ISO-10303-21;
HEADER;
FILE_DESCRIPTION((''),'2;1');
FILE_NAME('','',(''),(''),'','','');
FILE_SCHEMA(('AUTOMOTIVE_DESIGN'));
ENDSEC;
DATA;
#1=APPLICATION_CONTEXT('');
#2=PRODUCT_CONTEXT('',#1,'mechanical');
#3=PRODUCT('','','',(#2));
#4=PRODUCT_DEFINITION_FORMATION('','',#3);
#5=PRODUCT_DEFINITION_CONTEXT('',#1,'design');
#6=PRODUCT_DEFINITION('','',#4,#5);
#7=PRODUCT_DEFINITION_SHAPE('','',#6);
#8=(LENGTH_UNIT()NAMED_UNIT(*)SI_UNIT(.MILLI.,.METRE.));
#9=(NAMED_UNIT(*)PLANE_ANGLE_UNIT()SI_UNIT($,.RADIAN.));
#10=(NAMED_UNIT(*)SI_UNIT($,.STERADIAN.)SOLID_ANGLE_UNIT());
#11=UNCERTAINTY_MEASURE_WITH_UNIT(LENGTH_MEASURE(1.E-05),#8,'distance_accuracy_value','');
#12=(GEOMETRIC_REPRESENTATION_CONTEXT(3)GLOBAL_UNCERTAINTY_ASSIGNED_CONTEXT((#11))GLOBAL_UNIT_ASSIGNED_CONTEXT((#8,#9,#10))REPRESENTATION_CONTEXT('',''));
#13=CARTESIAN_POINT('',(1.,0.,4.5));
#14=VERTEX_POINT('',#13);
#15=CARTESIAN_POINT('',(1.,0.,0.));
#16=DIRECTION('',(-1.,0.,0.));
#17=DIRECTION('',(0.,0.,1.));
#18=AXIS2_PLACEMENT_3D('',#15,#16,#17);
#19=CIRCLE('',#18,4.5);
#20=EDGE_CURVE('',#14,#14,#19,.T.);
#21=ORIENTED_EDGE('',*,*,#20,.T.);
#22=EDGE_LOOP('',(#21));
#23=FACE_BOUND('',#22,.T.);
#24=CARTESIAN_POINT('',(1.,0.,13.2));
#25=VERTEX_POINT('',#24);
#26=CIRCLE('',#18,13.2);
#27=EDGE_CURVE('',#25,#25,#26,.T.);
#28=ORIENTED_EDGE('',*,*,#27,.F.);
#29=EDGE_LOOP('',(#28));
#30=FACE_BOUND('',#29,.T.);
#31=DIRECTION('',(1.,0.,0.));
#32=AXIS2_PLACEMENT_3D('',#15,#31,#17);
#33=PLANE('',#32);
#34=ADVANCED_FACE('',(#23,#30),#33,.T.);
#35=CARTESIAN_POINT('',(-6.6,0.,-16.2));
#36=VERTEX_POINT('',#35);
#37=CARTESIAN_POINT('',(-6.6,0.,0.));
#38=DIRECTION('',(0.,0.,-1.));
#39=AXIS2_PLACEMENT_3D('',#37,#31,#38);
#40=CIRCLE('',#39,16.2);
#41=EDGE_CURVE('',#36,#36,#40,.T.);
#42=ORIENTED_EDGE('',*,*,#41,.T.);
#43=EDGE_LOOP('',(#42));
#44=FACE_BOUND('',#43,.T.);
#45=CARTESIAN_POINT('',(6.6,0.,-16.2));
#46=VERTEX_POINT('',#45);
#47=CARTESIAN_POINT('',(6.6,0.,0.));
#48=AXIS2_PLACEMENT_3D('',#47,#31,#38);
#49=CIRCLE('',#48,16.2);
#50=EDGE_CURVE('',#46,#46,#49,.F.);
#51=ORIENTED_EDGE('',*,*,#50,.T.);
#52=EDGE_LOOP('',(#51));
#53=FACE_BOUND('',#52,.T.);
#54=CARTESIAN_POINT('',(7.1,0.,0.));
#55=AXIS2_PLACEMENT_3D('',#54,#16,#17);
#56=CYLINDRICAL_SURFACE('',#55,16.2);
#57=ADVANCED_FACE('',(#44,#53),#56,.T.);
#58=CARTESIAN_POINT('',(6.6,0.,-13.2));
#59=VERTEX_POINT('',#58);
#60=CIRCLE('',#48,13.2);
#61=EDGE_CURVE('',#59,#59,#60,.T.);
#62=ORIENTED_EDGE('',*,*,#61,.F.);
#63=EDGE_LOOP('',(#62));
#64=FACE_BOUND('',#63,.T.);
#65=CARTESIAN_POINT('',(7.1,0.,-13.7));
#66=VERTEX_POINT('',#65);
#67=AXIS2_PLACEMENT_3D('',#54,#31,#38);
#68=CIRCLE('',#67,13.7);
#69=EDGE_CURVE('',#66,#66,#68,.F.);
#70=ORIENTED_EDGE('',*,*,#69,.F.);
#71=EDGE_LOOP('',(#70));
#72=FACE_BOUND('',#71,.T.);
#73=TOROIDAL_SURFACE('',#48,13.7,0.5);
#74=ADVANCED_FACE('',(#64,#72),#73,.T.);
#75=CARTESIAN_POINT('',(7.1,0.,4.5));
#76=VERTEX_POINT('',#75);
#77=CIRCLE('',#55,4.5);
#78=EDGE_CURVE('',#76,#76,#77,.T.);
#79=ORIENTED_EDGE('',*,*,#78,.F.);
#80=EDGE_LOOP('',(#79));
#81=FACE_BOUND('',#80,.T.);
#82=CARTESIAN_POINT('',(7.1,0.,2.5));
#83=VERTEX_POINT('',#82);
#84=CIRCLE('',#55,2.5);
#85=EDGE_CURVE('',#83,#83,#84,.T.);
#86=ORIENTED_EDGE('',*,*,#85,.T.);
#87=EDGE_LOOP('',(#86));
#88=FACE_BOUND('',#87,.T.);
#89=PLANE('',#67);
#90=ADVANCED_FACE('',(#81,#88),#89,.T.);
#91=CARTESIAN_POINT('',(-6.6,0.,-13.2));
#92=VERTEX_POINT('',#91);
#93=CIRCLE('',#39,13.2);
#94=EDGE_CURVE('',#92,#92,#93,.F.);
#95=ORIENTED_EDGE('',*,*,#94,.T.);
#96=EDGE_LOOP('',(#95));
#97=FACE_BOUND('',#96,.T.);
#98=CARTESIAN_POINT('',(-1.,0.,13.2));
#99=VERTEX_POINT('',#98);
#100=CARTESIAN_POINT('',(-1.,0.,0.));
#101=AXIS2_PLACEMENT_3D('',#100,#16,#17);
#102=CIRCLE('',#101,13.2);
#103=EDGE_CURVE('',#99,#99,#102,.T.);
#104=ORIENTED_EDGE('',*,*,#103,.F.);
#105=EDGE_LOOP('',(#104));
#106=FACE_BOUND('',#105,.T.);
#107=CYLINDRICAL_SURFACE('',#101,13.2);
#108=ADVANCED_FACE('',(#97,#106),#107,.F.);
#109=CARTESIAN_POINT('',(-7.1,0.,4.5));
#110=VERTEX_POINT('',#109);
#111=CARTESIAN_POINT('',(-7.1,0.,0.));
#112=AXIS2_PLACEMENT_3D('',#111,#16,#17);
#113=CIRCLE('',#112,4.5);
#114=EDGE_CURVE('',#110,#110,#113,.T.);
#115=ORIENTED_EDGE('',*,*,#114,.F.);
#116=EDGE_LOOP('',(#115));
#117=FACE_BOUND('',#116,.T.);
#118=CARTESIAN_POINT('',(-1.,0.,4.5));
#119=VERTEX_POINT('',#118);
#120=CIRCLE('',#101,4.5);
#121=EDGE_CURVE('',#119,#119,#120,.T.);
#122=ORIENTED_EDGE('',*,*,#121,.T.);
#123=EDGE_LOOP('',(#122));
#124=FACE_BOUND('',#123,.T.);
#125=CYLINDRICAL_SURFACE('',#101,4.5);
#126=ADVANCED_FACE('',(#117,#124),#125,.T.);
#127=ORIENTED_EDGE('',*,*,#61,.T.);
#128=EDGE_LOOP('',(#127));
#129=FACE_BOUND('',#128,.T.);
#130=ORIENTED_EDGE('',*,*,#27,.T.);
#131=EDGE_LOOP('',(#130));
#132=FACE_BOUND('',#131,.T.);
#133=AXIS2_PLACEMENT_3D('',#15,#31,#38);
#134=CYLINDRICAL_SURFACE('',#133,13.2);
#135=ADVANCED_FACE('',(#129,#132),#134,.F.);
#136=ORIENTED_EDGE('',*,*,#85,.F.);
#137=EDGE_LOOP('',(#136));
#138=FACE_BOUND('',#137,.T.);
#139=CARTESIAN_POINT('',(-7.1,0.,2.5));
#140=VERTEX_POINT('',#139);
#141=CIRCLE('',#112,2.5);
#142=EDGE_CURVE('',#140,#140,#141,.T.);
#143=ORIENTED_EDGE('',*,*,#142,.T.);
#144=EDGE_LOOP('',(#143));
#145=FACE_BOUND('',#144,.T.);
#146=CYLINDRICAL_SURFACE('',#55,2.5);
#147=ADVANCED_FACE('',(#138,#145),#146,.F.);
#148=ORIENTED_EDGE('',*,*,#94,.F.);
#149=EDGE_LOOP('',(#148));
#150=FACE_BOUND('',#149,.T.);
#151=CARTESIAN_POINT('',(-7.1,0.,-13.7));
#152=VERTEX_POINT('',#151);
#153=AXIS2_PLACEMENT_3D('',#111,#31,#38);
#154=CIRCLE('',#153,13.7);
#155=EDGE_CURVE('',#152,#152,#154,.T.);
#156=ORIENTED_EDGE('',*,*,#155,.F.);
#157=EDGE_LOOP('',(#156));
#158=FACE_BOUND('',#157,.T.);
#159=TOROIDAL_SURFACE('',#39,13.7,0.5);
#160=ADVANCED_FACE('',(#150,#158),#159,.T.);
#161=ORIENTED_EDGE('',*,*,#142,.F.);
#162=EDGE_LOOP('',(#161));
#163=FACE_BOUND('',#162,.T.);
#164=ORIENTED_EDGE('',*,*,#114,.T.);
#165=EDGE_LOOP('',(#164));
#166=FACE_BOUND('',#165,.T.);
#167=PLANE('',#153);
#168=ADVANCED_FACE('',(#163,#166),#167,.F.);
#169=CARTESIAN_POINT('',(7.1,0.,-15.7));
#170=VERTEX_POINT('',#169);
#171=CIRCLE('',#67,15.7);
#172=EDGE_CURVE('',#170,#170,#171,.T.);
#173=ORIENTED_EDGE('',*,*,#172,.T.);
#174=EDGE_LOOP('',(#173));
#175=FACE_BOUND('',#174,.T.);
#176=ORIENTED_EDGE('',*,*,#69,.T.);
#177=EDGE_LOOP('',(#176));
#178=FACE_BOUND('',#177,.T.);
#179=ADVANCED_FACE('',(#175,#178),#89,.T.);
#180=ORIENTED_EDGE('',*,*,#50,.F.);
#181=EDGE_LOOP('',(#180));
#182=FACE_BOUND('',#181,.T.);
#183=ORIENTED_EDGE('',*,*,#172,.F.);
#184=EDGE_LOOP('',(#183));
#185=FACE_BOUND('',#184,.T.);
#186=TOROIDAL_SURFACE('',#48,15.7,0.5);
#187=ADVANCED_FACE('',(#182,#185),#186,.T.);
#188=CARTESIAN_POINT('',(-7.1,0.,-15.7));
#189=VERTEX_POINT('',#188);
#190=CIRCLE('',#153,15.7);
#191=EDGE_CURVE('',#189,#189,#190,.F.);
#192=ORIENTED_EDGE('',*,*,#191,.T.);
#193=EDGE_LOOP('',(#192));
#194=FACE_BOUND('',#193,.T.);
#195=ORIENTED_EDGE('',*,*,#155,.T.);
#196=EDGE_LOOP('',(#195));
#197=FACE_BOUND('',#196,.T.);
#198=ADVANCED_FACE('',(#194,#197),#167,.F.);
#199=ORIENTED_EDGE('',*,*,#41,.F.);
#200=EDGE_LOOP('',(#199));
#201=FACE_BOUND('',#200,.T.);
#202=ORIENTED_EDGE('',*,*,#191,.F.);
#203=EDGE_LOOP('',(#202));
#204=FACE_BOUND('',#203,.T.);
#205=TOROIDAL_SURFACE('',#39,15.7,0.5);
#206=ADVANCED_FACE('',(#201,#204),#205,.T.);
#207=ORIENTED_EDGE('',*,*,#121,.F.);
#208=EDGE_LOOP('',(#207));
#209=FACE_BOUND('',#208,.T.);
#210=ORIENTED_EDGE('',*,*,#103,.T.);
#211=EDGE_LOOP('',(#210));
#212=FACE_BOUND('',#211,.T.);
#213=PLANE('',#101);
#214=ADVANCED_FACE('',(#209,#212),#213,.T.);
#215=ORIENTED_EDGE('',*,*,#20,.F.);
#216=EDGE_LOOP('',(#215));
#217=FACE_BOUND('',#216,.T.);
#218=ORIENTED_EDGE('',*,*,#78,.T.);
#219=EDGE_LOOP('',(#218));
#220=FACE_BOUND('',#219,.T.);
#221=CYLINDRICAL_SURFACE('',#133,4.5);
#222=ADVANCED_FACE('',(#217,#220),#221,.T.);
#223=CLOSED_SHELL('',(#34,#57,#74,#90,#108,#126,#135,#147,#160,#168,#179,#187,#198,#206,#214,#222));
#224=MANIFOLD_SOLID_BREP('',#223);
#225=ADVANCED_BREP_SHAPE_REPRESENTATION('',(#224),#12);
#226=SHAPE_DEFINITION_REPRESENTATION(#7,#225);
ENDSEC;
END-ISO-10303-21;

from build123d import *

# Parameters (mm, degrees)
SKETCH1_R           = 16.2
BOSS_EXTRUDE1_DEPTH = 7.1
SKETCH6_R           = 13.2
SKETCH6_R_2         = 4.5
CUT_EXTRUDE2_DEPTH  = 6.1
FILLET2_R           = 0.5
FILLET3_R           = 0.5
FILLET4_R           = 0.5
FILLET5_R           = 0.5
SKETCH7_R           = 2.5
CUT_EXTRUDE3_DEPTH  = 27.954035009


with BuildPart() as part:
    # Sketch1 → Boss-Extrude1 (new, symmetric)
    with BuildSketch(Plane(origin=(0, 0, 0), x_dir=(0, 0, -1), z_dir=(1, 0, 0))):
        Circle(SKETCH1_R)
    extrude(amount=BOSS_EXTRUDE1_DEPTH, both=True)

    # Sketch6 → Cut-Extrude2 (cut)
    with BuildSketch(Plane.ZY.offset(7.1)):
        Circle(SKETCH6_R)
        Circle(SKETCH6_R_2, mode=Mode.SUBTRACT)
    cut_extrude2 = extrude(amount=-CUT_EXTRUDE2_DEPTH, mode=Mode.SUBTRACT)

    # Mirror1: Cut-Extrude2 across plane
    add(cut_extrude2.mirror(Plane(origin=(0, 0, 0), x_dir=(0, 0, 1), z_dir=(1, 0, 0))), mode=Mode.SUBTRACT)

    # Fillet2
    fillet2_edges = [part.edges().sort_by_distance(p)[0] for p in [
        (-7.1, 0, 16.2),
    ]]
    fillet(fillet2_edges, radius=FILLET2_R)

    # Fillet3
    fillet3_edges = [part.edges().sort_by_distance(p)[0] for p in [
        (-7.1, 0, -13.2),
    ]]
    fillet(fillet3_edges, radius=FILLET3_R)

    # Fillet4
    fillet4_edges = [part.edges().sort_by_distance(p)[0] for p in [
        (7.1, 0, -13.2),
    ]]
    fillet(fillet4_edges, radius=FILLET4_R)

    # Fillet5
    fillet5_edges = [part.edges().sort_by_distance(p)[0] for p in [
        (7.1, 0, 16.2),
    ]]
    fillet(fillet5_edges, radius=FILLET5_R)

    # Sketch7 → Cut-Extrude3 (cut, through all)
    with BuildSketch(Plane.ZY.offset(7.1)):
        Circle(SKETCH7_R)
    extrude(amount=-CUT_EXTRUDE3_DEPTH, mode=Mode.SUBTRACT)


solid = part.part
